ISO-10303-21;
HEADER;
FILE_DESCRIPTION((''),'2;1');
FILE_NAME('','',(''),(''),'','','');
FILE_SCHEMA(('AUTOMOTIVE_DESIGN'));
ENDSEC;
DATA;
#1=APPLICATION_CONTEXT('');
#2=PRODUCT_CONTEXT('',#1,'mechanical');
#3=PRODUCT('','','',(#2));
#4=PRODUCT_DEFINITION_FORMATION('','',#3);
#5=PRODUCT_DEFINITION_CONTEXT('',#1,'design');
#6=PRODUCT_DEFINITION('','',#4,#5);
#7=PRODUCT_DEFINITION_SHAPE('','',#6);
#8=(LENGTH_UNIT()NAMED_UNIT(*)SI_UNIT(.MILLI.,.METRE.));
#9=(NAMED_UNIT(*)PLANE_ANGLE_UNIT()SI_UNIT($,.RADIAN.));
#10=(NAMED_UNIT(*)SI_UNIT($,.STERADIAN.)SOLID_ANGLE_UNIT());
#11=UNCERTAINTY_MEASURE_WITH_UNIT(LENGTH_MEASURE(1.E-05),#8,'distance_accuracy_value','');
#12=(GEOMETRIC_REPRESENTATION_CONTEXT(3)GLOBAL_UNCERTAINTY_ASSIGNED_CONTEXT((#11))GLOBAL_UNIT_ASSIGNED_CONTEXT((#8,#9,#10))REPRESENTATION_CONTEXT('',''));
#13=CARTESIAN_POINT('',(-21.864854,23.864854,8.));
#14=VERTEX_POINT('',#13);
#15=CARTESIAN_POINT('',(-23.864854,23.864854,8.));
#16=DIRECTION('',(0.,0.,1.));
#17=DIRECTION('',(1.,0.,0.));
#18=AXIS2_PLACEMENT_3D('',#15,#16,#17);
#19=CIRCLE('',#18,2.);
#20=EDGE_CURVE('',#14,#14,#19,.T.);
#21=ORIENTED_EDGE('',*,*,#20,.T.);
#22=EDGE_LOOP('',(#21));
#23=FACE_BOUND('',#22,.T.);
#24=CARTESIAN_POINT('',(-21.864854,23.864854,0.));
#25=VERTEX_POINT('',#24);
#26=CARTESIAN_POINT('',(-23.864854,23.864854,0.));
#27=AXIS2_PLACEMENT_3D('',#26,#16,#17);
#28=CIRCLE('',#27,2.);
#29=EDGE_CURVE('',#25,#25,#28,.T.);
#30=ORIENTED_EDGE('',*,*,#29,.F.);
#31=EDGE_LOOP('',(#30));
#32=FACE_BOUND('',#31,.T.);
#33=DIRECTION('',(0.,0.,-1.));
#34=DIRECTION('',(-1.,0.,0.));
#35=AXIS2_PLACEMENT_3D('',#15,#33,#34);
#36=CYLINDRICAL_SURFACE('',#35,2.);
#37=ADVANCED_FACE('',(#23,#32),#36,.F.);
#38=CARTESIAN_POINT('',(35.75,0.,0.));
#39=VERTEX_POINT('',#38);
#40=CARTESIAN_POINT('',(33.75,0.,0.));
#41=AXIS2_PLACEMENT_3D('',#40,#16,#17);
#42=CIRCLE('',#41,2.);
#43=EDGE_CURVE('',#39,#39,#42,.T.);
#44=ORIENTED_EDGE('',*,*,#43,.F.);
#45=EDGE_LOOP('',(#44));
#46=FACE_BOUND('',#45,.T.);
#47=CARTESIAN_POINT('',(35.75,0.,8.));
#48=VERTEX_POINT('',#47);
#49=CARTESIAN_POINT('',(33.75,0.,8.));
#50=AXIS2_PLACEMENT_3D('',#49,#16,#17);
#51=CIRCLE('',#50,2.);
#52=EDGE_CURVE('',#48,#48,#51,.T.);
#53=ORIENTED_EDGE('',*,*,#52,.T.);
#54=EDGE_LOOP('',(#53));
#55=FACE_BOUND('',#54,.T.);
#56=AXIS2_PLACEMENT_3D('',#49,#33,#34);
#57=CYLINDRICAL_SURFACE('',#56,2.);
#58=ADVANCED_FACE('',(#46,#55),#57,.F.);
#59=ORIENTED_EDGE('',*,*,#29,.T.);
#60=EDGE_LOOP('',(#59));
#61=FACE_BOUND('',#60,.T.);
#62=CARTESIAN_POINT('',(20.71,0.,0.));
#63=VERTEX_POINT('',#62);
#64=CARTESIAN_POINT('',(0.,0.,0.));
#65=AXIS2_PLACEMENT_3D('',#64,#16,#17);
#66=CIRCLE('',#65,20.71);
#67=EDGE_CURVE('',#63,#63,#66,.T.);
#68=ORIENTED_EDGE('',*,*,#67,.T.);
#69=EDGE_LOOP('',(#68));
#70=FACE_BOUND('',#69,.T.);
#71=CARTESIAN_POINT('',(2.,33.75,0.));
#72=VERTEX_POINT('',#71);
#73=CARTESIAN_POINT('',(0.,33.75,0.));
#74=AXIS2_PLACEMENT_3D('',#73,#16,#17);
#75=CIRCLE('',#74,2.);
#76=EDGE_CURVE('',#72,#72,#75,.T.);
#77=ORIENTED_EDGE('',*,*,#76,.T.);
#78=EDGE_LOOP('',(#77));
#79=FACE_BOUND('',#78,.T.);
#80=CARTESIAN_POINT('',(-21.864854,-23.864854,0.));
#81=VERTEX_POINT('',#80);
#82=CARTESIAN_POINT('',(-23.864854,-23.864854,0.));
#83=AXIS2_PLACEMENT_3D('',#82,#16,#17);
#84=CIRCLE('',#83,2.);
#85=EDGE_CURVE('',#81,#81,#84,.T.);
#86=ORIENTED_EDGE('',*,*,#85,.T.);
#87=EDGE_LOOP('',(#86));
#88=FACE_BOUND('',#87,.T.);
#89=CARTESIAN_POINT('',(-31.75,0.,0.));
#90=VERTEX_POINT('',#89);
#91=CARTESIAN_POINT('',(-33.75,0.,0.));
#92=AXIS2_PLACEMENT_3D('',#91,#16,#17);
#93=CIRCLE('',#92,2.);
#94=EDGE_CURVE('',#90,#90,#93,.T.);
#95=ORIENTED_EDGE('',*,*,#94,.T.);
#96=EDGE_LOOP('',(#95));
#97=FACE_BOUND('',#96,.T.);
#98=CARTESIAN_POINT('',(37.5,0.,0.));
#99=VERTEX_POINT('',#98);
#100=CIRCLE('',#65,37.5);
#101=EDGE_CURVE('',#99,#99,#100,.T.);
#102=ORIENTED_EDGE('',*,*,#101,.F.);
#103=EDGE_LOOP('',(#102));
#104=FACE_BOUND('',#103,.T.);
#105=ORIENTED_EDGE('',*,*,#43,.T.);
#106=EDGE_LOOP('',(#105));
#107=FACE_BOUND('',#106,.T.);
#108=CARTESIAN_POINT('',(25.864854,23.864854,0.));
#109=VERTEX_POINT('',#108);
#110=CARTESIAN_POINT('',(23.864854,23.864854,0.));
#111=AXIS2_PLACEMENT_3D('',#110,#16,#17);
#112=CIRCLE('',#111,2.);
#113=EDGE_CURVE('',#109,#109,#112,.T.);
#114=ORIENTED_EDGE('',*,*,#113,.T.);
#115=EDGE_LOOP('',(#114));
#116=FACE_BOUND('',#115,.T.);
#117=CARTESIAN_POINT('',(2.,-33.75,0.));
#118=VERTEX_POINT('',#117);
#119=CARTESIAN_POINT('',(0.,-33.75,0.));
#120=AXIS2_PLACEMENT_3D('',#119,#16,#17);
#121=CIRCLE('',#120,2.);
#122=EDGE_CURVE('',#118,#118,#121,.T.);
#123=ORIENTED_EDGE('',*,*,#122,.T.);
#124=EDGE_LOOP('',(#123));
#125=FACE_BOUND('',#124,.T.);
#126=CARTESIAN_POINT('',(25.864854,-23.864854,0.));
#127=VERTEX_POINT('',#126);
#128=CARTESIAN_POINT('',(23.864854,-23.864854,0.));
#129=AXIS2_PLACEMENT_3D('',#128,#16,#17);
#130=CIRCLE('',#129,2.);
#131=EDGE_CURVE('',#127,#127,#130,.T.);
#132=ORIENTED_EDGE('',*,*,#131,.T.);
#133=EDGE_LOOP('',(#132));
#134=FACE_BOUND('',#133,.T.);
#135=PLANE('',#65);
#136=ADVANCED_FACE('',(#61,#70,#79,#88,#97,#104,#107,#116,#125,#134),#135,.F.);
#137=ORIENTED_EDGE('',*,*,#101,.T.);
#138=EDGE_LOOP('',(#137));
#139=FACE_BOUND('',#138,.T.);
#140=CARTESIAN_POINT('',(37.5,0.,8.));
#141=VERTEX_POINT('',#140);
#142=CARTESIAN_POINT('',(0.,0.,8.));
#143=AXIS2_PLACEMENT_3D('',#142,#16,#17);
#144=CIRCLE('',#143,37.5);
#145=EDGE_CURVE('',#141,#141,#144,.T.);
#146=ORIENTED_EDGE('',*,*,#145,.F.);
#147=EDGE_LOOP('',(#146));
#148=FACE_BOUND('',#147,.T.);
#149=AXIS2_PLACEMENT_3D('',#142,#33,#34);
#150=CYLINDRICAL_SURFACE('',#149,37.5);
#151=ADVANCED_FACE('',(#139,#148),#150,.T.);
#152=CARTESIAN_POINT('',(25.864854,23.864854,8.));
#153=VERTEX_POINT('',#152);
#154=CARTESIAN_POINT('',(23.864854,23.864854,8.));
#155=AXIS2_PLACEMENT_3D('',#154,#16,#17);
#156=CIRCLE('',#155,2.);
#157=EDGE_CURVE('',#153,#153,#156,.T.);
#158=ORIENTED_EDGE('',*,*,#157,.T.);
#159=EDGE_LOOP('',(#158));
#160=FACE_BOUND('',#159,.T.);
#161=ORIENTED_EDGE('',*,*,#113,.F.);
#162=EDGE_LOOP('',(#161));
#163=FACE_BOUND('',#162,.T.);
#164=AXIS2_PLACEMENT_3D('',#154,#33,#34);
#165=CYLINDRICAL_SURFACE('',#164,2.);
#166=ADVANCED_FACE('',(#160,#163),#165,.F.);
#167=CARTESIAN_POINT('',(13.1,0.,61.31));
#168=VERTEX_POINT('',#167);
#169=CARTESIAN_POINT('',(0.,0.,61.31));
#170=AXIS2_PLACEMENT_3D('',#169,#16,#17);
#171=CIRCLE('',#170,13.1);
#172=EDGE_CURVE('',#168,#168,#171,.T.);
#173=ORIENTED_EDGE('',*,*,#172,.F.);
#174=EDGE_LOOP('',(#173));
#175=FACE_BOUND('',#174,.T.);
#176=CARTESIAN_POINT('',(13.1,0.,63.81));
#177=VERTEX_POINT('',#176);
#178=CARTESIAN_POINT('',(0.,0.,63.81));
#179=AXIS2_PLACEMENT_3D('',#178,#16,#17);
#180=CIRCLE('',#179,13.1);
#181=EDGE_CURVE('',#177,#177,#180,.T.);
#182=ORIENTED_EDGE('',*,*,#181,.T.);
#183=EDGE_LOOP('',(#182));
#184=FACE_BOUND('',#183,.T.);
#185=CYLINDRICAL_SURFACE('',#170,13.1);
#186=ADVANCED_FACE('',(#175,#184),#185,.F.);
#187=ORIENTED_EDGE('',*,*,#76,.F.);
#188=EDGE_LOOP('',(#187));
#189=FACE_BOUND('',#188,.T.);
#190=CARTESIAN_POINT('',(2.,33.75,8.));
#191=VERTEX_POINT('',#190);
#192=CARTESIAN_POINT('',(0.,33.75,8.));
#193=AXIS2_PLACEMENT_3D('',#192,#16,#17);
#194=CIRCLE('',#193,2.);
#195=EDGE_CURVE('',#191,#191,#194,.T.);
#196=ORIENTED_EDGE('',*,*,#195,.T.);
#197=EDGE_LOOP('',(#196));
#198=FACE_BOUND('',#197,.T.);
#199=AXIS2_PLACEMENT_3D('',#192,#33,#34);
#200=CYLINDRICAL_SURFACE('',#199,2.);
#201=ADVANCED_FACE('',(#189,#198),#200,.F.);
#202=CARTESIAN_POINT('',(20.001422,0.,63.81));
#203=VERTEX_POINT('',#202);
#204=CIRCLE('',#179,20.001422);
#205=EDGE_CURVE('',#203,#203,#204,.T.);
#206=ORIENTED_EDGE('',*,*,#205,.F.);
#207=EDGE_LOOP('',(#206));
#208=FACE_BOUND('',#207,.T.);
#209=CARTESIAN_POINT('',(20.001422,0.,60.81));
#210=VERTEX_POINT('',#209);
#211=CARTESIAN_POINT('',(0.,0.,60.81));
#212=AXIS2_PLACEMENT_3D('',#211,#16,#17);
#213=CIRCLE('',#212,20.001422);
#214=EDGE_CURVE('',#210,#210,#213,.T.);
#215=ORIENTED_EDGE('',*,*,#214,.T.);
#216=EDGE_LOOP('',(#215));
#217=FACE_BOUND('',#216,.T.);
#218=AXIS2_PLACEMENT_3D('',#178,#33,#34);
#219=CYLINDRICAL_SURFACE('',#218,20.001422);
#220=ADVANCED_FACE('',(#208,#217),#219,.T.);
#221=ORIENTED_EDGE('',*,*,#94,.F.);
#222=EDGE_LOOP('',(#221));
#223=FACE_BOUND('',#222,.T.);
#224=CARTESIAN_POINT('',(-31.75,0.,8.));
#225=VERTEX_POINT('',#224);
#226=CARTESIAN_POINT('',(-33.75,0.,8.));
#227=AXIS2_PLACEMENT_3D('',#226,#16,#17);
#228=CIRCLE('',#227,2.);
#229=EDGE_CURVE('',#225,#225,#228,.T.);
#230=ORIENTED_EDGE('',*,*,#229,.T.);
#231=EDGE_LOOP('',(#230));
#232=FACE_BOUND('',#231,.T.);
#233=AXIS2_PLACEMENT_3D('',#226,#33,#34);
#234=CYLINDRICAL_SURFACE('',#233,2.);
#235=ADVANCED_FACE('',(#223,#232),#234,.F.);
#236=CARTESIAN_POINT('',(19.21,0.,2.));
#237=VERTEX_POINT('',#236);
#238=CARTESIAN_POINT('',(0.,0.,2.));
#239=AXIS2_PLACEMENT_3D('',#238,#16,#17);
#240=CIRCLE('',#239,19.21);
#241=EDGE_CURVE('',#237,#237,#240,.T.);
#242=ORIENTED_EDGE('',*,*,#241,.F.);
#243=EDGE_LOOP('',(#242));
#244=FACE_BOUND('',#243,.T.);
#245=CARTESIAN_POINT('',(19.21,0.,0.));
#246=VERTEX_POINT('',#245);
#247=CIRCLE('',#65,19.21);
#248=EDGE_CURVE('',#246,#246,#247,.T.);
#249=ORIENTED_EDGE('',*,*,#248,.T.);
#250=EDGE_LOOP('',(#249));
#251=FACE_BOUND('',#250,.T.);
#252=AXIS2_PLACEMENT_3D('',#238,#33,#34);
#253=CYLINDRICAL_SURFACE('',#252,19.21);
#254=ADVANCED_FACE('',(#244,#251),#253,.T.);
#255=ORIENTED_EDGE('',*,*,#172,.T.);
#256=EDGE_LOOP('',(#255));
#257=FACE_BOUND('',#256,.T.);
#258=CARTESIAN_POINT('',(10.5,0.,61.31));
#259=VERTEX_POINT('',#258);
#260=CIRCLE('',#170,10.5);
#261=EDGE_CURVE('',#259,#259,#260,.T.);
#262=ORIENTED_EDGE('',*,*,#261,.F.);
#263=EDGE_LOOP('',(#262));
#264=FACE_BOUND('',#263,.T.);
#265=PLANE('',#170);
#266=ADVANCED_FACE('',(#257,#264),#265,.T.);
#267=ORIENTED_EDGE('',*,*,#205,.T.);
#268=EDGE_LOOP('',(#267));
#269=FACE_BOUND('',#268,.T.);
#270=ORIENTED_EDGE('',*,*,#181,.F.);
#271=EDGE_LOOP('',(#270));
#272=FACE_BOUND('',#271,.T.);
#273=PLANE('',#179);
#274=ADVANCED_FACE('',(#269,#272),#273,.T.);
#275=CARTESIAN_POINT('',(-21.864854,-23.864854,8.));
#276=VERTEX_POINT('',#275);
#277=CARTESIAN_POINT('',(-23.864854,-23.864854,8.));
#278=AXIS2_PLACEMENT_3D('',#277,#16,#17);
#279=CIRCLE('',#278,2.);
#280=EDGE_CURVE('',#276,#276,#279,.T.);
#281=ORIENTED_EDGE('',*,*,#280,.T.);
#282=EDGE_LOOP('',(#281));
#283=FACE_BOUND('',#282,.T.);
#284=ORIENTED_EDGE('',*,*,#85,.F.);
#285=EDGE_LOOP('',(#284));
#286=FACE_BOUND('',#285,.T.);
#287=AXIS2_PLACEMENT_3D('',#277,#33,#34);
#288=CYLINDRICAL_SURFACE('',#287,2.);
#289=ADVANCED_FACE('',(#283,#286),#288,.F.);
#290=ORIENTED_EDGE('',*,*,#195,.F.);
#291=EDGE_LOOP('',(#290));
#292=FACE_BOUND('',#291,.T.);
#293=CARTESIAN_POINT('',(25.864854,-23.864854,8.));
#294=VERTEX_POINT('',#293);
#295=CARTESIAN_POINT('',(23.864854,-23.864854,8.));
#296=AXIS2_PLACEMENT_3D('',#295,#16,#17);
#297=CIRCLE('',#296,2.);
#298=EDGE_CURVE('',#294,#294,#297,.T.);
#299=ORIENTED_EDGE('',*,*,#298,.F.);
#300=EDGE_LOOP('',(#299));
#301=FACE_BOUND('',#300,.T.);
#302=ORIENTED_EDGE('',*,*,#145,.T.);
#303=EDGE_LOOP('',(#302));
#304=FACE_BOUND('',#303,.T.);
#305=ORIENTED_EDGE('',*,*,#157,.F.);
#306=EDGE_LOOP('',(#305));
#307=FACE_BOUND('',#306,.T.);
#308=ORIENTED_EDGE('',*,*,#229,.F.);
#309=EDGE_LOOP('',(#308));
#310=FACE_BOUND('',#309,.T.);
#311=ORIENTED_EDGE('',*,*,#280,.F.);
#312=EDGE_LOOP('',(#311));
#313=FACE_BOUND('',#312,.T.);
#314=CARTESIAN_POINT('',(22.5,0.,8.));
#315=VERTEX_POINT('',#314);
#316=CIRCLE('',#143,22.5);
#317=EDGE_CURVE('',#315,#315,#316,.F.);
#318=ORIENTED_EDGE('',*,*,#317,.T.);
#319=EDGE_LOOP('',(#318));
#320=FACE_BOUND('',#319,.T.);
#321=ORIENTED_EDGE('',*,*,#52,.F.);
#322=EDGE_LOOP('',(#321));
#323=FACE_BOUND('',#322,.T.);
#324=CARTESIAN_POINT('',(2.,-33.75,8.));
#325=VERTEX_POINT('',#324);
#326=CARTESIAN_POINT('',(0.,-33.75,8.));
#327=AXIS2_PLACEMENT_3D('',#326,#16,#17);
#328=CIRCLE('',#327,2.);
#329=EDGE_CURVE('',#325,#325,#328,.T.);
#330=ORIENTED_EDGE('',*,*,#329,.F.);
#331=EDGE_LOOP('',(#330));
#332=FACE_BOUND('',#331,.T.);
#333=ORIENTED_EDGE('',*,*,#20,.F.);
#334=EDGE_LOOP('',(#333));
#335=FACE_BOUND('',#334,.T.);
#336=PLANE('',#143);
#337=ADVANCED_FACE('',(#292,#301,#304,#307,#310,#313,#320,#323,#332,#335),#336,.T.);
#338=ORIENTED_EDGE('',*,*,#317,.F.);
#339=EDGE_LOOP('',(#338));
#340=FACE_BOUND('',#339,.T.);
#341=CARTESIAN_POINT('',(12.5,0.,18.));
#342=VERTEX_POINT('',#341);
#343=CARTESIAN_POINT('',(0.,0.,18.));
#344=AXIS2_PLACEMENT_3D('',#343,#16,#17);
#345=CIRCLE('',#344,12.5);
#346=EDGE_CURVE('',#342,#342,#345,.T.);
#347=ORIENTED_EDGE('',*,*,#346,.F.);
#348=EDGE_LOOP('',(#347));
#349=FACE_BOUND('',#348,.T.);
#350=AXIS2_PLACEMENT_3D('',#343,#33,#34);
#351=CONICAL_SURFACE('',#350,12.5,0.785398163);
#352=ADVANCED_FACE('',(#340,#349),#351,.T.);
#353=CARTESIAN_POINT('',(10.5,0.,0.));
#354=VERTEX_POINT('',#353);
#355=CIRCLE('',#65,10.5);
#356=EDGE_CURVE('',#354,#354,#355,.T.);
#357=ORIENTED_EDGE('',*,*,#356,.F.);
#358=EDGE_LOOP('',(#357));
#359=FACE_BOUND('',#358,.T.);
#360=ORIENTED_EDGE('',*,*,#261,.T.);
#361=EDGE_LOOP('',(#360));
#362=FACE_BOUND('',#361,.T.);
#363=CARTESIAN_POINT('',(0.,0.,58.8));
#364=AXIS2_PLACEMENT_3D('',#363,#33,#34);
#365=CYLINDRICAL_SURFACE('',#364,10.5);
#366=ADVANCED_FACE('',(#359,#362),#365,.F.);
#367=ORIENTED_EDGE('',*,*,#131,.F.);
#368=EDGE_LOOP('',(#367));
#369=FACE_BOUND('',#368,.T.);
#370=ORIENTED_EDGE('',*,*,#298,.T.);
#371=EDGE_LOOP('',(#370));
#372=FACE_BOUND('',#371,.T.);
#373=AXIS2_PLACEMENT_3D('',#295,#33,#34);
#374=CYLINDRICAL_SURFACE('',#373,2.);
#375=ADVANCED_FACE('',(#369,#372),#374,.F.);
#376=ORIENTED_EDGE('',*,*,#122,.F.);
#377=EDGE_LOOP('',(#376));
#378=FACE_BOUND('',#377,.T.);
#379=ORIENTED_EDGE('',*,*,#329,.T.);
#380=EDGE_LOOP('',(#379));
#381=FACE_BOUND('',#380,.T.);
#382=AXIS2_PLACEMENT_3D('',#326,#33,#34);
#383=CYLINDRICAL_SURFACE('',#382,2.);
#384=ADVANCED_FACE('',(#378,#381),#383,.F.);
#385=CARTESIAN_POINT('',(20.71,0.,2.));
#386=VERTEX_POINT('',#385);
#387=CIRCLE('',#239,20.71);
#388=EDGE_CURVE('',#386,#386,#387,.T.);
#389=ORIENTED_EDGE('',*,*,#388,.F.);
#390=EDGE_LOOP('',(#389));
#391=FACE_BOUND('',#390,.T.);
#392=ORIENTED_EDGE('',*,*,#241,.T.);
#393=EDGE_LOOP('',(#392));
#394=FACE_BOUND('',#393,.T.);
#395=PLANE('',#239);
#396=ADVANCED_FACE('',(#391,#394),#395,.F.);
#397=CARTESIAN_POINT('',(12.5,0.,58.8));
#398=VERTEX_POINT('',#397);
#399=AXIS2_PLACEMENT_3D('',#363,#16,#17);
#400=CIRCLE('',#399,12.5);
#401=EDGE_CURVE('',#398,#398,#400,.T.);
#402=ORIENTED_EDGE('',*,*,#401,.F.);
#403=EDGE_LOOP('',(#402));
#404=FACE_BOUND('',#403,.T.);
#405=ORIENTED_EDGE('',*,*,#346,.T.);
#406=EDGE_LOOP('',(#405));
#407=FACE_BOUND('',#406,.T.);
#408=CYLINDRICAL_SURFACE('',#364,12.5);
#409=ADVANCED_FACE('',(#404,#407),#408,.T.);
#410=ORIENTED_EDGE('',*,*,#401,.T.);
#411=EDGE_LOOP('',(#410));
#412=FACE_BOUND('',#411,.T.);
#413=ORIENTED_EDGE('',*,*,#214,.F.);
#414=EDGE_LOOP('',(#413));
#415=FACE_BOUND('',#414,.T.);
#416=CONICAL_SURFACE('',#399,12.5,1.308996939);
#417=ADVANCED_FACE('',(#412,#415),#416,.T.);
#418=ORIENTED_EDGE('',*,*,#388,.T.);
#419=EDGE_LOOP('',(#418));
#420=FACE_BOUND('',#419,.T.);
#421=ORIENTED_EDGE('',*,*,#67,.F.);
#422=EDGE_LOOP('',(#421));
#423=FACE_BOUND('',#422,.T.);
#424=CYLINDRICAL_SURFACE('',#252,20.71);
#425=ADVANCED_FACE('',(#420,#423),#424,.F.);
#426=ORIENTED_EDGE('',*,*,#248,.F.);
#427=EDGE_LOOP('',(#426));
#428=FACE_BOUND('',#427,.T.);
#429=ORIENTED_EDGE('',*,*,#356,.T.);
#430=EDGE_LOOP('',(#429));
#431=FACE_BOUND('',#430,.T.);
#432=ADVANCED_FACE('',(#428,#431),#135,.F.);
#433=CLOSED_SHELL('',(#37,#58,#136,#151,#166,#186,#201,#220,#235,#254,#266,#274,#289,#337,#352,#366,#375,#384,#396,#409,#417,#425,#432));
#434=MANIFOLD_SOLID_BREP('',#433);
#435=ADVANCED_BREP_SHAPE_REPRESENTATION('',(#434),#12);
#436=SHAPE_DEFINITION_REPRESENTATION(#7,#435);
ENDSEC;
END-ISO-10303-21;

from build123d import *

# Parameters (mm, degrees)
SKETCH2_R           = 37.5
SKETCH2_R_2         = 5.35
BOSS_EXTRUDE2_DEPTH = 8
SKETCH14_R          = 2
CUT_EXTRUDE6_DEPTH  = 54.633012222
SKETCH3_R           = 20.71
SKETCH3_R_2         = 19.21
CUT_EXTRUDE2_DEPTH  = 2
SKETCH7_R           = 12.5
SKETCH7_R_2         = 10.5
BOSS_EXTRUDE4_DEPTH = 50.8
SKETCH10_R          = 12.5
BOSS_EXTRUDE5_DEPTH = 2.01
BOSS_EXTRUDE5_DRAFT = -75
SKETCH11_R          = 10.5
CUT_EXTRUDE3_DEPTH  = 81.686777727
BOSS_EXTRUDE6_START = 3
SKETCH12_R          = 20.001422123
SKETCH12_R_2        = 10.5
BOSS_EXTRUDE6_DEPTH = 3
SKETCH13_R          = 13.1
CUT_EXTRUDE4_DEPTH  = 2.5
CHAMFER1_SIZE       = 10


with BuildPart() as part:
    # Sketch2 → Boss-Extrude2 (new body)
    with BuildSketch(Plane.XY):
        Circle(SKETCH2_R)
        Circle(SKETCH2_R_2, mode=Mode.SUBTRACT)
    extrude(amount=BOSS_EXTRUDE2_DEPTH)

    # Sketch14 → Cut-Extrude6 (cut, through all)
    with BuildSketch(Plane.XY):
        with Locations((0, 33.75)):
            Circle(SKETCH14_R)
        with Locations((-23.864853865, 23.864853865)):
            Circle(SKETCH14_R)
        with Locations((-33.75, 0)):
            Circle(SKETCH14_R)
        with Locations((-23.864853865, -23.864853865)):
            Circle(SKETCH14_R)
        with Locations((0, -33.75)):
            Circle(SKETCH14_R)
        with Locations((23.864853865, -23.864853865)):
            Circle(SKETCH14_R)
        with Locations((33.75, 0)):
            Circle(SKETCH14_R)
        with Locations((23.864853865, 23.864853865)):
            Circle(SKETCH14_R)
    extrude(amount=CUT_EXTRUDE6_DEPTH, mode=Mode.SUBTRACT)

    # Sketch3 → Cut-Extrude2 (cut)
    with BuildSketch(Plane.XY):
        Circle(SKETCH3_R)
        Circle(SKETCH3_R_2, mode=Mode.SUBTRACT)
    extrude(amount=CUT_EXTRUDE2_DEPTH, mode=Mode.SUBTRACT)

    # Sketch7 → Boss-Extrude4 (add)
    with BuildSketch(Plane.XY.offset(8)):
        Circle(SKETCH7_R)
        Circle(SKETCH7_R_2, mode=Mode.SUBTRACT)
    extrude(amount=BOSS_EXTRUDE4_DEPTH)


with BuildPart() as boss_extrude5_tool:
    # Sketch10 → Boss-Extrude5 (with draft: the straight prism first)
    with BuildSketch(Plane.XY.offset(58.8)):
        Circle(SKETCH10_R)
    extrude(amount=BOSS_EXTRUDE5_DEPTH)
    # Boss-Extrude5: the draft: its side faces are tilted about the plane it starts from
    boss_extrude5_sides = [boss_extrude5_tool.faces().sort_by_distance(p)[0] for p in [
        (-12.5, 0, 59.805),
    ]]
    draft(boss_extrude5_sides, Plane.XY.offset(58.8), BOSS_EXTRUDE5_DRAFT)


with BuildPart() as part_1:
    add(part.part)

    # Boss-Extrude5: add boss_extrude5_tool
    add(boss_extrude5_tool.part)

    # Sketch11 → Cut-Extrude3 (cut, through all)
    with BuildSketch(Plane.XY.offset(60.81)):
        Circle(SKETCH11_R)
    extrude(amount=-CUT_EXTRUDE3_DEPTH, mode=Mode.SUBTRACT)

    # Sketch12 → Boss-Extrude6 (add)
    with BuildSketch(Plane.XY.offset(60.81).offset(BOSS_EXTRUDE6_START)):
        Circle(SKETCH12_R)
        Circle(SKETCH12_R_2, mode=Mode.SUBTRACT)
    extrude(amount=-BOSS_EXTRUDE6_DEPTH)

    # Sketch13 → Cut-Extrude4 (cut)
    with BuildSketch(Plane.XY.offset(63.81)):
        Circle(SKETCH13_R)
    extrude(amount=-CUT_EXTRUDE4_DEPTH, mode=Mode.SUBTRACT)

    # Chamfer1
    chamfer1_edges = [part_1.edges().sort_by_distance(p)[0] for p in [
        (-12.5, 0, 8),
    ]]
    chamfer(chamfer1_edges, length=CHAMFER1_SIZE)


solid = part_1.part
